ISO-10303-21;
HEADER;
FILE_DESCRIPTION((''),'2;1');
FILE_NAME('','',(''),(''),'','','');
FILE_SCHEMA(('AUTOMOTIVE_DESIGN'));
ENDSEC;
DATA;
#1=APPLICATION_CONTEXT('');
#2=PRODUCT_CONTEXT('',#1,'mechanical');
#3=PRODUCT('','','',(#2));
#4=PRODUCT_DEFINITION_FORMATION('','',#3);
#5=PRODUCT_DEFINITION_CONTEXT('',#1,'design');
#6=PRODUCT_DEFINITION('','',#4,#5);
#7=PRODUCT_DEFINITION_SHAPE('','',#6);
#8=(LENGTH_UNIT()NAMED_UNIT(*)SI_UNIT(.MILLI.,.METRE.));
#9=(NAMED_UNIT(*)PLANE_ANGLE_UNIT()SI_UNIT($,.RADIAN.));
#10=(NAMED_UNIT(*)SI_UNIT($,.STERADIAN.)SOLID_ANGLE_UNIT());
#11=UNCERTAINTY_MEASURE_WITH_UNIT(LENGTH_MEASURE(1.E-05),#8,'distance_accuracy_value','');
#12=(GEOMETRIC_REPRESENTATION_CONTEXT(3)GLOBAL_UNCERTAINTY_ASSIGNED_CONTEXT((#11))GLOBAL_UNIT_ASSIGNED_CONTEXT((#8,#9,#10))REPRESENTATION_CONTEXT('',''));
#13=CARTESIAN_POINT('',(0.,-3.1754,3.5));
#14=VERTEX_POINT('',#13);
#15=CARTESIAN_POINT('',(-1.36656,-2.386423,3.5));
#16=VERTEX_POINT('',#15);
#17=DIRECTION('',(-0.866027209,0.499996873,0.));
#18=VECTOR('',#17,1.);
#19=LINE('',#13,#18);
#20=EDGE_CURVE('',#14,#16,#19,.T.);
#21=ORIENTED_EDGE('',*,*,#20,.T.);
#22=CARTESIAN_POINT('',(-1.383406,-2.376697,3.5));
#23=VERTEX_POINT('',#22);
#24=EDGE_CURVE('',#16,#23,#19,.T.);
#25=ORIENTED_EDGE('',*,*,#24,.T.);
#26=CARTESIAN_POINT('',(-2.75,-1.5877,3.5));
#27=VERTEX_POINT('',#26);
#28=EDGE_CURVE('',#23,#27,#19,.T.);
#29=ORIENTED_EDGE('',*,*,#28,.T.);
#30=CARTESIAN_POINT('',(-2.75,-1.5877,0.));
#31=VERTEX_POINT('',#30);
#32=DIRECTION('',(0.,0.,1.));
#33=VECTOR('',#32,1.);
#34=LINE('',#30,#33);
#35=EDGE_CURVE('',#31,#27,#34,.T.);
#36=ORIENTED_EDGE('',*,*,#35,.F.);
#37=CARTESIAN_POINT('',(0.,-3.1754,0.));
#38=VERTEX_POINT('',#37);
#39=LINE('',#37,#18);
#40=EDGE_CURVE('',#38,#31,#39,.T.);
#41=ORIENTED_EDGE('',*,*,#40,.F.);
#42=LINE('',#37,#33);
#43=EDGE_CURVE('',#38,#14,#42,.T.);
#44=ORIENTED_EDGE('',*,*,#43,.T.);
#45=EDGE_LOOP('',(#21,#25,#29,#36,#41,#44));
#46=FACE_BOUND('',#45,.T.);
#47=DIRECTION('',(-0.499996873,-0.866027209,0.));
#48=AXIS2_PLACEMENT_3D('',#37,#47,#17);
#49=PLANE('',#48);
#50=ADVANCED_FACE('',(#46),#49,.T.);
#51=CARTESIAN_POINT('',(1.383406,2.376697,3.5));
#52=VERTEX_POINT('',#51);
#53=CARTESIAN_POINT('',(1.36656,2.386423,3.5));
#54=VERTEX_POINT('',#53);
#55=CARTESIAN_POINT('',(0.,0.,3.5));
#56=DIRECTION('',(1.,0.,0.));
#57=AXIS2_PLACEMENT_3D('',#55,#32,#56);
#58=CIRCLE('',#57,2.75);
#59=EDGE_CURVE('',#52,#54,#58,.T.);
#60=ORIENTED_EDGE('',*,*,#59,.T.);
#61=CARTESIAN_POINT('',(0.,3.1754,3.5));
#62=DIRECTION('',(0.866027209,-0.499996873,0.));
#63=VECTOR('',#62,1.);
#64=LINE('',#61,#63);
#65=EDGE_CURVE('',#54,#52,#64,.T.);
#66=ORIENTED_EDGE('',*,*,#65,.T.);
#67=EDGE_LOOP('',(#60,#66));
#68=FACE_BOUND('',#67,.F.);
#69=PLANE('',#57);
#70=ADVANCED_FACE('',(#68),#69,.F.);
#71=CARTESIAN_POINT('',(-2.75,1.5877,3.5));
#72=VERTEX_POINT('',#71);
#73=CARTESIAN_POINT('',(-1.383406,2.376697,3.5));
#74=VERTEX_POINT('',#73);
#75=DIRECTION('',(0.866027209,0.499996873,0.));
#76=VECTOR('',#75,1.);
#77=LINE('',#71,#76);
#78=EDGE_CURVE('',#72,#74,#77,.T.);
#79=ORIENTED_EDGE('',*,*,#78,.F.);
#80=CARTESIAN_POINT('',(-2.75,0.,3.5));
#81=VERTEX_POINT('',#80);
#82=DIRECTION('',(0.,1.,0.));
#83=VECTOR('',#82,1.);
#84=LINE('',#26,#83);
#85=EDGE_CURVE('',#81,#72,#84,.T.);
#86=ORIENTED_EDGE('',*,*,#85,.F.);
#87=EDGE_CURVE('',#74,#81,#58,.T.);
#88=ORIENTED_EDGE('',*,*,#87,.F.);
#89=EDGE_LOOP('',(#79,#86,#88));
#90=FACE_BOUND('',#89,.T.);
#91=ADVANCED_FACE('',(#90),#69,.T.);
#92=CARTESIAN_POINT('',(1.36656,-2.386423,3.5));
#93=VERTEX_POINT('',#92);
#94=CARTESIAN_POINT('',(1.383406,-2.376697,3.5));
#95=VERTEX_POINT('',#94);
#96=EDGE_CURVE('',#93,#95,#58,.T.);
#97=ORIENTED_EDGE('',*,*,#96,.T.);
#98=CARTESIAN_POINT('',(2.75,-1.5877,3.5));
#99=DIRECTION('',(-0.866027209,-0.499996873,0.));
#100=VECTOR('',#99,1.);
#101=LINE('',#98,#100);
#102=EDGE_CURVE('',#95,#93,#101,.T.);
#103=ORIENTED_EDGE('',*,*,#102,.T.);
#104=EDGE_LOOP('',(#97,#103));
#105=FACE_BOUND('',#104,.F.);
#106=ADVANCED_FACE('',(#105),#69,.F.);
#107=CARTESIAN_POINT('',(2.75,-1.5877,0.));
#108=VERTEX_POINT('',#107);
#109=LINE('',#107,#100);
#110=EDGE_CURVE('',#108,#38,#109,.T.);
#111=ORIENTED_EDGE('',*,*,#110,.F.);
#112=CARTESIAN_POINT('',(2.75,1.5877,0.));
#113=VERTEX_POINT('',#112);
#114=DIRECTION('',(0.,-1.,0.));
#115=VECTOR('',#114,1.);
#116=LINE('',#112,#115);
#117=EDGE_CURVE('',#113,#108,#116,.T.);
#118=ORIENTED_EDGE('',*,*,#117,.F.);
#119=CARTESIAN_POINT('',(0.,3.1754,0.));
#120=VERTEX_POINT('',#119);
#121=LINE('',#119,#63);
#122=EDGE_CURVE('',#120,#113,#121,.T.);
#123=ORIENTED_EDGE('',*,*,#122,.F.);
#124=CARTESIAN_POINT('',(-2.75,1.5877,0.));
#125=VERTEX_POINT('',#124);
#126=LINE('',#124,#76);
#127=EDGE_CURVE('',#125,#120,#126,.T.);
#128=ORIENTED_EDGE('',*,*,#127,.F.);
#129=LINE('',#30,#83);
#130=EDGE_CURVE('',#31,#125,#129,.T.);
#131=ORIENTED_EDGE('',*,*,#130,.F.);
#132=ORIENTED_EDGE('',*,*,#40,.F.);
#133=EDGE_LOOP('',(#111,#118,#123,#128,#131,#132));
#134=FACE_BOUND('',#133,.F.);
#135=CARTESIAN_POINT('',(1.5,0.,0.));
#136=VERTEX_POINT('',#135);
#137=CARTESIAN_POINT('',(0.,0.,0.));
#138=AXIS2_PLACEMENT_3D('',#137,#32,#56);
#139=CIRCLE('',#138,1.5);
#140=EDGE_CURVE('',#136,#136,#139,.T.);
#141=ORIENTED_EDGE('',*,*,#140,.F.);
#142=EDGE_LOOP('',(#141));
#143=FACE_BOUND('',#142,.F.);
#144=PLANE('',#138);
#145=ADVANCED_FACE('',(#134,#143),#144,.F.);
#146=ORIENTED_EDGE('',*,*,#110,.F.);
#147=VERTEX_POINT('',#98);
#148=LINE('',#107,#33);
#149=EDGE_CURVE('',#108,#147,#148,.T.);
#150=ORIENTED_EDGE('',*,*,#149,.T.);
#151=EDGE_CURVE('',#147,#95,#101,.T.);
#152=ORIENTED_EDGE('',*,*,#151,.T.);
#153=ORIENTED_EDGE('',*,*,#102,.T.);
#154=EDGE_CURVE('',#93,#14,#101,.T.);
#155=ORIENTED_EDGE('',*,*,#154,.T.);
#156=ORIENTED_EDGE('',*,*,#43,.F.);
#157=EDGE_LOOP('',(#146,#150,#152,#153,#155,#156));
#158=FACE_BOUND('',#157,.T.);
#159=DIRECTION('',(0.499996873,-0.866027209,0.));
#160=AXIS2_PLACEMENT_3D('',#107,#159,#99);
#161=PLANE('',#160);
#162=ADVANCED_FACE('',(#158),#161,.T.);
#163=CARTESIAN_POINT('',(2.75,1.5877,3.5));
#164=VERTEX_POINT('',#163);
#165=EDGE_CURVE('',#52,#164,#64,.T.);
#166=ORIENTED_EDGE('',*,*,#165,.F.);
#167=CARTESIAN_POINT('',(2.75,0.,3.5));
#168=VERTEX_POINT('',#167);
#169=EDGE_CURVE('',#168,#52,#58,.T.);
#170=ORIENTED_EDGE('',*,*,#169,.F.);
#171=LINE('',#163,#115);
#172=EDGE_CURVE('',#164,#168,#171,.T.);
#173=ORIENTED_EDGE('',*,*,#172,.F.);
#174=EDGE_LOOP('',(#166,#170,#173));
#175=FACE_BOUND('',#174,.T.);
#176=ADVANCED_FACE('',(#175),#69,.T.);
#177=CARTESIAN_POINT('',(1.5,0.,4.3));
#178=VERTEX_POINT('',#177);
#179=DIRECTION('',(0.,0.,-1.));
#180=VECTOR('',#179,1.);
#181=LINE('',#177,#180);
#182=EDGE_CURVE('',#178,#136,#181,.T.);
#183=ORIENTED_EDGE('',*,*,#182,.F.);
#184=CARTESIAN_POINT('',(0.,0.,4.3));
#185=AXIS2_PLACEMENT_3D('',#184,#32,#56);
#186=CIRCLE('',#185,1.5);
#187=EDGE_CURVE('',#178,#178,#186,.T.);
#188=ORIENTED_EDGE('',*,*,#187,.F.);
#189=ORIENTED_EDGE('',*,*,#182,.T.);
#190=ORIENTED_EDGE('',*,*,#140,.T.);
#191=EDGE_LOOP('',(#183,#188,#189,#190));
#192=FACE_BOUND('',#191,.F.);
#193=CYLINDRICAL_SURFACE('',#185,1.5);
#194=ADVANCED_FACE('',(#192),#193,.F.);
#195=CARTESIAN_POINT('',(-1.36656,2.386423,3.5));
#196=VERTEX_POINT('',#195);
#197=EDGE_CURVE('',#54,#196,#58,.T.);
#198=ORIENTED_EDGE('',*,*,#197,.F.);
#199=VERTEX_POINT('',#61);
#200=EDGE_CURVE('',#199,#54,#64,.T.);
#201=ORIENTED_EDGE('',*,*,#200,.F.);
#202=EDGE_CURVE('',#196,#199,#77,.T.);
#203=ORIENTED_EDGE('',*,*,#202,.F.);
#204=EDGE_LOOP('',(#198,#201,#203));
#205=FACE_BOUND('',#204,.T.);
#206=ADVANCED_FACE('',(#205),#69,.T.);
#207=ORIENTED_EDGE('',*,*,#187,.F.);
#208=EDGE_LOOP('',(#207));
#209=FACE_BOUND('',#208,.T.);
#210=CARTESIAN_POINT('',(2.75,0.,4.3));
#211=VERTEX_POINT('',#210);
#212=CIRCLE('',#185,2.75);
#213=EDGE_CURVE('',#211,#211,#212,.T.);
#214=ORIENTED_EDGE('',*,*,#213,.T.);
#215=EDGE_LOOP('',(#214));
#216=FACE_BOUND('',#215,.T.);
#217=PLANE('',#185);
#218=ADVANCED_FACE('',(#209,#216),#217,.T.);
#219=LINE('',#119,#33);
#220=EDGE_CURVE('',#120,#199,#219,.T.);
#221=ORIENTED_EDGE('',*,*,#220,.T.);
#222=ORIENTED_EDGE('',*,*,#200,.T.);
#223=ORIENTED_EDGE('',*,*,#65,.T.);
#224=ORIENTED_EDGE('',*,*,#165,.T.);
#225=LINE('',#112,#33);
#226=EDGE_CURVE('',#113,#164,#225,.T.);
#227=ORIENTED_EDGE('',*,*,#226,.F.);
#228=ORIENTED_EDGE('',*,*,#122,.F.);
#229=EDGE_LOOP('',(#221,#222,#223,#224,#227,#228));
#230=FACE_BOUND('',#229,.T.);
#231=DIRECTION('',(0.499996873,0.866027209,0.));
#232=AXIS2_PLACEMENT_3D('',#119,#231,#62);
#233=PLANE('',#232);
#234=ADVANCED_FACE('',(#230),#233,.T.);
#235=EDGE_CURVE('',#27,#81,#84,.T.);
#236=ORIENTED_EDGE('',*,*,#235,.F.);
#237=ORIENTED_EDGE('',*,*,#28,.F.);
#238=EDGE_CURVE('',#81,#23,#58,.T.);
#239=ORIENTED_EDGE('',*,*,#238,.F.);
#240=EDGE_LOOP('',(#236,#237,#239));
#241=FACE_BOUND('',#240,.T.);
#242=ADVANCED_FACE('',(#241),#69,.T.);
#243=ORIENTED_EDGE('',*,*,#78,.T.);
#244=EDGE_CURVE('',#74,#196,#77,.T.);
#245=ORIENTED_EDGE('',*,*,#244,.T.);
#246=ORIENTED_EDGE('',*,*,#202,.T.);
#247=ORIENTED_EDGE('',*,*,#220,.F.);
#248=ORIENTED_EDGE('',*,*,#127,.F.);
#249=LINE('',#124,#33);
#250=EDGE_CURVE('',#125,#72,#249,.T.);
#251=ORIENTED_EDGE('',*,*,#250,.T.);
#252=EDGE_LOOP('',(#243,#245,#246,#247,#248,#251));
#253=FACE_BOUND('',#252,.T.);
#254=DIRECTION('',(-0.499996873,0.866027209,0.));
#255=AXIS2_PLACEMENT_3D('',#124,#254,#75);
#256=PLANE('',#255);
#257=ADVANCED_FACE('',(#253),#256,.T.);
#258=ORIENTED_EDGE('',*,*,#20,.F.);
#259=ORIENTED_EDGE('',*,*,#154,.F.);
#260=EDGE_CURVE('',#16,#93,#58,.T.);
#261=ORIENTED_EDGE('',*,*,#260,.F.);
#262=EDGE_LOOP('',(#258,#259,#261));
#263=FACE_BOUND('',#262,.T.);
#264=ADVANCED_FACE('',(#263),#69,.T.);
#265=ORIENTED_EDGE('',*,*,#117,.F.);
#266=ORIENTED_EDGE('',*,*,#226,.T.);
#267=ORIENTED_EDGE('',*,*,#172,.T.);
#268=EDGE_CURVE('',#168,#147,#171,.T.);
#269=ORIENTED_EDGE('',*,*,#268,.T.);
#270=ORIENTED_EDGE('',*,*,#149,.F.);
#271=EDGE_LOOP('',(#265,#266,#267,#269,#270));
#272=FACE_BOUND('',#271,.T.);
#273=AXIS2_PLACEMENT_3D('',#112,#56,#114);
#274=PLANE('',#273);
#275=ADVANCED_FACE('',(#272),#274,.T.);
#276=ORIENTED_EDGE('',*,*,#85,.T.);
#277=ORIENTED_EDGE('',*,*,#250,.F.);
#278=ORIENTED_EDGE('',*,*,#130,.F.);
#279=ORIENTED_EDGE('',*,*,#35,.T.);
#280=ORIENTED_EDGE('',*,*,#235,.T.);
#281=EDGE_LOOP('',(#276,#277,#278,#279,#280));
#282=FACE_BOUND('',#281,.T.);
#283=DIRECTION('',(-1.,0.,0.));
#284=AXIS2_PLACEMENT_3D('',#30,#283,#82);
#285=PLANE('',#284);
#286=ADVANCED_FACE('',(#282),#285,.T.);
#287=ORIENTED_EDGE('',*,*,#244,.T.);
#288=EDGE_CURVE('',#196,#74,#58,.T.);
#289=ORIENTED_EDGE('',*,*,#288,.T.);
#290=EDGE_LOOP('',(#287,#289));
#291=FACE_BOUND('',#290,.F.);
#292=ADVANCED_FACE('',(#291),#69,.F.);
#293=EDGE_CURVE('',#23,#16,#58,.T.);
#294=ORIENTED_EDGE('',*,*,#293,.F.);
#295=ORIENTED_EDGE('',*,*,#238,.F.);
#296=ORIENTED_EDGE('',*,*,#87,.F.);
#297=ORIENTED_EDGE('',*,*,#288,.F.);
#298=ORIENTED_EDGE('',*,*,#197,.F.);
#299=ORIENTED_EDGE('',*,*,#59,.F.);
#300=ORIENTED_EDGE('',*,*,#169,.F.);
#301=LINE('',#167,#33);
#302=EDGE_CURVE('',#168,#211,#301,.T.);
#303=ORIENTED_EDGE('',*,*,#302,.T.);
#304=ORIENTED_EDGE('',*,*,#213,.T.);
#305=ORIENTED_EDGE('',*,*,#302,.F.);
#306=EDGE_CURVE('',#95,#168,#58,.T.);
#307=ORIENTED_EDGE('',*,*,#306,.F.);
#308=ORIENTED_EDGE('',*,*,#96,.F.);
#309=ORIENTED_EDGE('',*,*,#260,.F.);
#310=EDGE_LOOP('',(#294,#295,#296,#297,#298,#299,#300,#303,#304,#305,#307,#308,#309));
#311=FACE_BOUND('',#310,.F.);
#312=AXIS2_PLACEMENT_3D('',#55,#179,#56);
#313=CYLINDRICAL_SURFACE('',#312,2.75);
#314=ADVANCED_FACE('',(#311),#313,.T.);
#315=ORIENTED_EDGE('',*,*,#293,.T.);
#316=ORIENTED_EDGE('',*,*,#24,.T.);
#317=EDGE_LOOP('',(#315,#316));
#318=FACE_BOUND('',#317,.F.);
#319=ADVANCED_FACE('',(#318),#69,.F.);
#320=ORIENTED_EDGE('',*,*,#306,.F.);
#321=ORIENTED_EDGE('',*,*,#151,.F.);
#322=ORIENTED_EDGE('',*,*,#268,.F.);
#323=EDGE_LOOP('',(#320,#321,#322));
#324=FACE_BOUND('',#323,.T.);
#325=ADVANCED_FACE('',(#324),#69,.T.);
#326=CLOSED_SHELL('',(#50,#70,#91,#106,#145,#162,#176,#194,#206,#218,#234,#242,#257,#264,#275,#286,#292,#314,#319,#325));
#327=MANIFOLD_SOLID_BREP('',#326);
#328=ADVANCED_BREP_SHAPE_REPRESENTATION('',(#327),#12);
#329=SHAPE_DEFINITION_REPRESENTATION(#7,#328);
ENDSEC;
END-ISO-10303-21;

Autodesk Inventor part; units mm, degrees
ref_plane "YZ Plane" through (0, 0, 0) normal (1, 0, 0) x (0, 1, 0)
ref_plane "XZ Plane" through (0, 0, 0) normal (0, 1, 0) x (-1, 0, 0)
ref_plane "XY Plane" through (0, 0, 0) normal (0, 0, 1) x (1, 0, 0)
sketch "スケッチ1" plane through (0, 0, 0) normal (0, 0, 1) x (1, 0, 0)
  line L0 (0, 3.1754) -> (2.75, 1.5877)
  line L1 (2.75, 1.5877) -> (2.75, -1.5877)
  line L2 (2.75, -1.5877) -> (0, -3.1754)
  line L3 (0, -3.1754) -> (-2.75, -1.5877)
  line L4 (-2.75, -1.5877) -> (-2.75, 1.5877)
  line L5 (-2.75, 1.5877) -> (0, 3.1754)
  point P0 (0, 0)
  point P1 (0, 0)
  dimension "d0" = 5.5
extrude "押し出し1" add sketch "スケッチ1" along normal blind 3.5
sketch "スケッチ2" plane through (0, 0, 3.5) normal (0, 0, 1) x (1, 0, 0)
  circle A0 centre (0, 0) radius 2.75
extrude "押し出し2" add sketch "スケッチ2" along normal blind 0.8
sketch "スケッチ3" plane through (0, 0, 4.3) normal (0, 0, 1) x (1, 0, 0)
  circle A0 centre (0, 0) radius 1.5
  dimension "d5" = 3
extrude "押し出し3" cut sketch "スケッチ3" against normal through all
properties part number "ナイロンナットm3" material "鉄、可鍛鉄"
